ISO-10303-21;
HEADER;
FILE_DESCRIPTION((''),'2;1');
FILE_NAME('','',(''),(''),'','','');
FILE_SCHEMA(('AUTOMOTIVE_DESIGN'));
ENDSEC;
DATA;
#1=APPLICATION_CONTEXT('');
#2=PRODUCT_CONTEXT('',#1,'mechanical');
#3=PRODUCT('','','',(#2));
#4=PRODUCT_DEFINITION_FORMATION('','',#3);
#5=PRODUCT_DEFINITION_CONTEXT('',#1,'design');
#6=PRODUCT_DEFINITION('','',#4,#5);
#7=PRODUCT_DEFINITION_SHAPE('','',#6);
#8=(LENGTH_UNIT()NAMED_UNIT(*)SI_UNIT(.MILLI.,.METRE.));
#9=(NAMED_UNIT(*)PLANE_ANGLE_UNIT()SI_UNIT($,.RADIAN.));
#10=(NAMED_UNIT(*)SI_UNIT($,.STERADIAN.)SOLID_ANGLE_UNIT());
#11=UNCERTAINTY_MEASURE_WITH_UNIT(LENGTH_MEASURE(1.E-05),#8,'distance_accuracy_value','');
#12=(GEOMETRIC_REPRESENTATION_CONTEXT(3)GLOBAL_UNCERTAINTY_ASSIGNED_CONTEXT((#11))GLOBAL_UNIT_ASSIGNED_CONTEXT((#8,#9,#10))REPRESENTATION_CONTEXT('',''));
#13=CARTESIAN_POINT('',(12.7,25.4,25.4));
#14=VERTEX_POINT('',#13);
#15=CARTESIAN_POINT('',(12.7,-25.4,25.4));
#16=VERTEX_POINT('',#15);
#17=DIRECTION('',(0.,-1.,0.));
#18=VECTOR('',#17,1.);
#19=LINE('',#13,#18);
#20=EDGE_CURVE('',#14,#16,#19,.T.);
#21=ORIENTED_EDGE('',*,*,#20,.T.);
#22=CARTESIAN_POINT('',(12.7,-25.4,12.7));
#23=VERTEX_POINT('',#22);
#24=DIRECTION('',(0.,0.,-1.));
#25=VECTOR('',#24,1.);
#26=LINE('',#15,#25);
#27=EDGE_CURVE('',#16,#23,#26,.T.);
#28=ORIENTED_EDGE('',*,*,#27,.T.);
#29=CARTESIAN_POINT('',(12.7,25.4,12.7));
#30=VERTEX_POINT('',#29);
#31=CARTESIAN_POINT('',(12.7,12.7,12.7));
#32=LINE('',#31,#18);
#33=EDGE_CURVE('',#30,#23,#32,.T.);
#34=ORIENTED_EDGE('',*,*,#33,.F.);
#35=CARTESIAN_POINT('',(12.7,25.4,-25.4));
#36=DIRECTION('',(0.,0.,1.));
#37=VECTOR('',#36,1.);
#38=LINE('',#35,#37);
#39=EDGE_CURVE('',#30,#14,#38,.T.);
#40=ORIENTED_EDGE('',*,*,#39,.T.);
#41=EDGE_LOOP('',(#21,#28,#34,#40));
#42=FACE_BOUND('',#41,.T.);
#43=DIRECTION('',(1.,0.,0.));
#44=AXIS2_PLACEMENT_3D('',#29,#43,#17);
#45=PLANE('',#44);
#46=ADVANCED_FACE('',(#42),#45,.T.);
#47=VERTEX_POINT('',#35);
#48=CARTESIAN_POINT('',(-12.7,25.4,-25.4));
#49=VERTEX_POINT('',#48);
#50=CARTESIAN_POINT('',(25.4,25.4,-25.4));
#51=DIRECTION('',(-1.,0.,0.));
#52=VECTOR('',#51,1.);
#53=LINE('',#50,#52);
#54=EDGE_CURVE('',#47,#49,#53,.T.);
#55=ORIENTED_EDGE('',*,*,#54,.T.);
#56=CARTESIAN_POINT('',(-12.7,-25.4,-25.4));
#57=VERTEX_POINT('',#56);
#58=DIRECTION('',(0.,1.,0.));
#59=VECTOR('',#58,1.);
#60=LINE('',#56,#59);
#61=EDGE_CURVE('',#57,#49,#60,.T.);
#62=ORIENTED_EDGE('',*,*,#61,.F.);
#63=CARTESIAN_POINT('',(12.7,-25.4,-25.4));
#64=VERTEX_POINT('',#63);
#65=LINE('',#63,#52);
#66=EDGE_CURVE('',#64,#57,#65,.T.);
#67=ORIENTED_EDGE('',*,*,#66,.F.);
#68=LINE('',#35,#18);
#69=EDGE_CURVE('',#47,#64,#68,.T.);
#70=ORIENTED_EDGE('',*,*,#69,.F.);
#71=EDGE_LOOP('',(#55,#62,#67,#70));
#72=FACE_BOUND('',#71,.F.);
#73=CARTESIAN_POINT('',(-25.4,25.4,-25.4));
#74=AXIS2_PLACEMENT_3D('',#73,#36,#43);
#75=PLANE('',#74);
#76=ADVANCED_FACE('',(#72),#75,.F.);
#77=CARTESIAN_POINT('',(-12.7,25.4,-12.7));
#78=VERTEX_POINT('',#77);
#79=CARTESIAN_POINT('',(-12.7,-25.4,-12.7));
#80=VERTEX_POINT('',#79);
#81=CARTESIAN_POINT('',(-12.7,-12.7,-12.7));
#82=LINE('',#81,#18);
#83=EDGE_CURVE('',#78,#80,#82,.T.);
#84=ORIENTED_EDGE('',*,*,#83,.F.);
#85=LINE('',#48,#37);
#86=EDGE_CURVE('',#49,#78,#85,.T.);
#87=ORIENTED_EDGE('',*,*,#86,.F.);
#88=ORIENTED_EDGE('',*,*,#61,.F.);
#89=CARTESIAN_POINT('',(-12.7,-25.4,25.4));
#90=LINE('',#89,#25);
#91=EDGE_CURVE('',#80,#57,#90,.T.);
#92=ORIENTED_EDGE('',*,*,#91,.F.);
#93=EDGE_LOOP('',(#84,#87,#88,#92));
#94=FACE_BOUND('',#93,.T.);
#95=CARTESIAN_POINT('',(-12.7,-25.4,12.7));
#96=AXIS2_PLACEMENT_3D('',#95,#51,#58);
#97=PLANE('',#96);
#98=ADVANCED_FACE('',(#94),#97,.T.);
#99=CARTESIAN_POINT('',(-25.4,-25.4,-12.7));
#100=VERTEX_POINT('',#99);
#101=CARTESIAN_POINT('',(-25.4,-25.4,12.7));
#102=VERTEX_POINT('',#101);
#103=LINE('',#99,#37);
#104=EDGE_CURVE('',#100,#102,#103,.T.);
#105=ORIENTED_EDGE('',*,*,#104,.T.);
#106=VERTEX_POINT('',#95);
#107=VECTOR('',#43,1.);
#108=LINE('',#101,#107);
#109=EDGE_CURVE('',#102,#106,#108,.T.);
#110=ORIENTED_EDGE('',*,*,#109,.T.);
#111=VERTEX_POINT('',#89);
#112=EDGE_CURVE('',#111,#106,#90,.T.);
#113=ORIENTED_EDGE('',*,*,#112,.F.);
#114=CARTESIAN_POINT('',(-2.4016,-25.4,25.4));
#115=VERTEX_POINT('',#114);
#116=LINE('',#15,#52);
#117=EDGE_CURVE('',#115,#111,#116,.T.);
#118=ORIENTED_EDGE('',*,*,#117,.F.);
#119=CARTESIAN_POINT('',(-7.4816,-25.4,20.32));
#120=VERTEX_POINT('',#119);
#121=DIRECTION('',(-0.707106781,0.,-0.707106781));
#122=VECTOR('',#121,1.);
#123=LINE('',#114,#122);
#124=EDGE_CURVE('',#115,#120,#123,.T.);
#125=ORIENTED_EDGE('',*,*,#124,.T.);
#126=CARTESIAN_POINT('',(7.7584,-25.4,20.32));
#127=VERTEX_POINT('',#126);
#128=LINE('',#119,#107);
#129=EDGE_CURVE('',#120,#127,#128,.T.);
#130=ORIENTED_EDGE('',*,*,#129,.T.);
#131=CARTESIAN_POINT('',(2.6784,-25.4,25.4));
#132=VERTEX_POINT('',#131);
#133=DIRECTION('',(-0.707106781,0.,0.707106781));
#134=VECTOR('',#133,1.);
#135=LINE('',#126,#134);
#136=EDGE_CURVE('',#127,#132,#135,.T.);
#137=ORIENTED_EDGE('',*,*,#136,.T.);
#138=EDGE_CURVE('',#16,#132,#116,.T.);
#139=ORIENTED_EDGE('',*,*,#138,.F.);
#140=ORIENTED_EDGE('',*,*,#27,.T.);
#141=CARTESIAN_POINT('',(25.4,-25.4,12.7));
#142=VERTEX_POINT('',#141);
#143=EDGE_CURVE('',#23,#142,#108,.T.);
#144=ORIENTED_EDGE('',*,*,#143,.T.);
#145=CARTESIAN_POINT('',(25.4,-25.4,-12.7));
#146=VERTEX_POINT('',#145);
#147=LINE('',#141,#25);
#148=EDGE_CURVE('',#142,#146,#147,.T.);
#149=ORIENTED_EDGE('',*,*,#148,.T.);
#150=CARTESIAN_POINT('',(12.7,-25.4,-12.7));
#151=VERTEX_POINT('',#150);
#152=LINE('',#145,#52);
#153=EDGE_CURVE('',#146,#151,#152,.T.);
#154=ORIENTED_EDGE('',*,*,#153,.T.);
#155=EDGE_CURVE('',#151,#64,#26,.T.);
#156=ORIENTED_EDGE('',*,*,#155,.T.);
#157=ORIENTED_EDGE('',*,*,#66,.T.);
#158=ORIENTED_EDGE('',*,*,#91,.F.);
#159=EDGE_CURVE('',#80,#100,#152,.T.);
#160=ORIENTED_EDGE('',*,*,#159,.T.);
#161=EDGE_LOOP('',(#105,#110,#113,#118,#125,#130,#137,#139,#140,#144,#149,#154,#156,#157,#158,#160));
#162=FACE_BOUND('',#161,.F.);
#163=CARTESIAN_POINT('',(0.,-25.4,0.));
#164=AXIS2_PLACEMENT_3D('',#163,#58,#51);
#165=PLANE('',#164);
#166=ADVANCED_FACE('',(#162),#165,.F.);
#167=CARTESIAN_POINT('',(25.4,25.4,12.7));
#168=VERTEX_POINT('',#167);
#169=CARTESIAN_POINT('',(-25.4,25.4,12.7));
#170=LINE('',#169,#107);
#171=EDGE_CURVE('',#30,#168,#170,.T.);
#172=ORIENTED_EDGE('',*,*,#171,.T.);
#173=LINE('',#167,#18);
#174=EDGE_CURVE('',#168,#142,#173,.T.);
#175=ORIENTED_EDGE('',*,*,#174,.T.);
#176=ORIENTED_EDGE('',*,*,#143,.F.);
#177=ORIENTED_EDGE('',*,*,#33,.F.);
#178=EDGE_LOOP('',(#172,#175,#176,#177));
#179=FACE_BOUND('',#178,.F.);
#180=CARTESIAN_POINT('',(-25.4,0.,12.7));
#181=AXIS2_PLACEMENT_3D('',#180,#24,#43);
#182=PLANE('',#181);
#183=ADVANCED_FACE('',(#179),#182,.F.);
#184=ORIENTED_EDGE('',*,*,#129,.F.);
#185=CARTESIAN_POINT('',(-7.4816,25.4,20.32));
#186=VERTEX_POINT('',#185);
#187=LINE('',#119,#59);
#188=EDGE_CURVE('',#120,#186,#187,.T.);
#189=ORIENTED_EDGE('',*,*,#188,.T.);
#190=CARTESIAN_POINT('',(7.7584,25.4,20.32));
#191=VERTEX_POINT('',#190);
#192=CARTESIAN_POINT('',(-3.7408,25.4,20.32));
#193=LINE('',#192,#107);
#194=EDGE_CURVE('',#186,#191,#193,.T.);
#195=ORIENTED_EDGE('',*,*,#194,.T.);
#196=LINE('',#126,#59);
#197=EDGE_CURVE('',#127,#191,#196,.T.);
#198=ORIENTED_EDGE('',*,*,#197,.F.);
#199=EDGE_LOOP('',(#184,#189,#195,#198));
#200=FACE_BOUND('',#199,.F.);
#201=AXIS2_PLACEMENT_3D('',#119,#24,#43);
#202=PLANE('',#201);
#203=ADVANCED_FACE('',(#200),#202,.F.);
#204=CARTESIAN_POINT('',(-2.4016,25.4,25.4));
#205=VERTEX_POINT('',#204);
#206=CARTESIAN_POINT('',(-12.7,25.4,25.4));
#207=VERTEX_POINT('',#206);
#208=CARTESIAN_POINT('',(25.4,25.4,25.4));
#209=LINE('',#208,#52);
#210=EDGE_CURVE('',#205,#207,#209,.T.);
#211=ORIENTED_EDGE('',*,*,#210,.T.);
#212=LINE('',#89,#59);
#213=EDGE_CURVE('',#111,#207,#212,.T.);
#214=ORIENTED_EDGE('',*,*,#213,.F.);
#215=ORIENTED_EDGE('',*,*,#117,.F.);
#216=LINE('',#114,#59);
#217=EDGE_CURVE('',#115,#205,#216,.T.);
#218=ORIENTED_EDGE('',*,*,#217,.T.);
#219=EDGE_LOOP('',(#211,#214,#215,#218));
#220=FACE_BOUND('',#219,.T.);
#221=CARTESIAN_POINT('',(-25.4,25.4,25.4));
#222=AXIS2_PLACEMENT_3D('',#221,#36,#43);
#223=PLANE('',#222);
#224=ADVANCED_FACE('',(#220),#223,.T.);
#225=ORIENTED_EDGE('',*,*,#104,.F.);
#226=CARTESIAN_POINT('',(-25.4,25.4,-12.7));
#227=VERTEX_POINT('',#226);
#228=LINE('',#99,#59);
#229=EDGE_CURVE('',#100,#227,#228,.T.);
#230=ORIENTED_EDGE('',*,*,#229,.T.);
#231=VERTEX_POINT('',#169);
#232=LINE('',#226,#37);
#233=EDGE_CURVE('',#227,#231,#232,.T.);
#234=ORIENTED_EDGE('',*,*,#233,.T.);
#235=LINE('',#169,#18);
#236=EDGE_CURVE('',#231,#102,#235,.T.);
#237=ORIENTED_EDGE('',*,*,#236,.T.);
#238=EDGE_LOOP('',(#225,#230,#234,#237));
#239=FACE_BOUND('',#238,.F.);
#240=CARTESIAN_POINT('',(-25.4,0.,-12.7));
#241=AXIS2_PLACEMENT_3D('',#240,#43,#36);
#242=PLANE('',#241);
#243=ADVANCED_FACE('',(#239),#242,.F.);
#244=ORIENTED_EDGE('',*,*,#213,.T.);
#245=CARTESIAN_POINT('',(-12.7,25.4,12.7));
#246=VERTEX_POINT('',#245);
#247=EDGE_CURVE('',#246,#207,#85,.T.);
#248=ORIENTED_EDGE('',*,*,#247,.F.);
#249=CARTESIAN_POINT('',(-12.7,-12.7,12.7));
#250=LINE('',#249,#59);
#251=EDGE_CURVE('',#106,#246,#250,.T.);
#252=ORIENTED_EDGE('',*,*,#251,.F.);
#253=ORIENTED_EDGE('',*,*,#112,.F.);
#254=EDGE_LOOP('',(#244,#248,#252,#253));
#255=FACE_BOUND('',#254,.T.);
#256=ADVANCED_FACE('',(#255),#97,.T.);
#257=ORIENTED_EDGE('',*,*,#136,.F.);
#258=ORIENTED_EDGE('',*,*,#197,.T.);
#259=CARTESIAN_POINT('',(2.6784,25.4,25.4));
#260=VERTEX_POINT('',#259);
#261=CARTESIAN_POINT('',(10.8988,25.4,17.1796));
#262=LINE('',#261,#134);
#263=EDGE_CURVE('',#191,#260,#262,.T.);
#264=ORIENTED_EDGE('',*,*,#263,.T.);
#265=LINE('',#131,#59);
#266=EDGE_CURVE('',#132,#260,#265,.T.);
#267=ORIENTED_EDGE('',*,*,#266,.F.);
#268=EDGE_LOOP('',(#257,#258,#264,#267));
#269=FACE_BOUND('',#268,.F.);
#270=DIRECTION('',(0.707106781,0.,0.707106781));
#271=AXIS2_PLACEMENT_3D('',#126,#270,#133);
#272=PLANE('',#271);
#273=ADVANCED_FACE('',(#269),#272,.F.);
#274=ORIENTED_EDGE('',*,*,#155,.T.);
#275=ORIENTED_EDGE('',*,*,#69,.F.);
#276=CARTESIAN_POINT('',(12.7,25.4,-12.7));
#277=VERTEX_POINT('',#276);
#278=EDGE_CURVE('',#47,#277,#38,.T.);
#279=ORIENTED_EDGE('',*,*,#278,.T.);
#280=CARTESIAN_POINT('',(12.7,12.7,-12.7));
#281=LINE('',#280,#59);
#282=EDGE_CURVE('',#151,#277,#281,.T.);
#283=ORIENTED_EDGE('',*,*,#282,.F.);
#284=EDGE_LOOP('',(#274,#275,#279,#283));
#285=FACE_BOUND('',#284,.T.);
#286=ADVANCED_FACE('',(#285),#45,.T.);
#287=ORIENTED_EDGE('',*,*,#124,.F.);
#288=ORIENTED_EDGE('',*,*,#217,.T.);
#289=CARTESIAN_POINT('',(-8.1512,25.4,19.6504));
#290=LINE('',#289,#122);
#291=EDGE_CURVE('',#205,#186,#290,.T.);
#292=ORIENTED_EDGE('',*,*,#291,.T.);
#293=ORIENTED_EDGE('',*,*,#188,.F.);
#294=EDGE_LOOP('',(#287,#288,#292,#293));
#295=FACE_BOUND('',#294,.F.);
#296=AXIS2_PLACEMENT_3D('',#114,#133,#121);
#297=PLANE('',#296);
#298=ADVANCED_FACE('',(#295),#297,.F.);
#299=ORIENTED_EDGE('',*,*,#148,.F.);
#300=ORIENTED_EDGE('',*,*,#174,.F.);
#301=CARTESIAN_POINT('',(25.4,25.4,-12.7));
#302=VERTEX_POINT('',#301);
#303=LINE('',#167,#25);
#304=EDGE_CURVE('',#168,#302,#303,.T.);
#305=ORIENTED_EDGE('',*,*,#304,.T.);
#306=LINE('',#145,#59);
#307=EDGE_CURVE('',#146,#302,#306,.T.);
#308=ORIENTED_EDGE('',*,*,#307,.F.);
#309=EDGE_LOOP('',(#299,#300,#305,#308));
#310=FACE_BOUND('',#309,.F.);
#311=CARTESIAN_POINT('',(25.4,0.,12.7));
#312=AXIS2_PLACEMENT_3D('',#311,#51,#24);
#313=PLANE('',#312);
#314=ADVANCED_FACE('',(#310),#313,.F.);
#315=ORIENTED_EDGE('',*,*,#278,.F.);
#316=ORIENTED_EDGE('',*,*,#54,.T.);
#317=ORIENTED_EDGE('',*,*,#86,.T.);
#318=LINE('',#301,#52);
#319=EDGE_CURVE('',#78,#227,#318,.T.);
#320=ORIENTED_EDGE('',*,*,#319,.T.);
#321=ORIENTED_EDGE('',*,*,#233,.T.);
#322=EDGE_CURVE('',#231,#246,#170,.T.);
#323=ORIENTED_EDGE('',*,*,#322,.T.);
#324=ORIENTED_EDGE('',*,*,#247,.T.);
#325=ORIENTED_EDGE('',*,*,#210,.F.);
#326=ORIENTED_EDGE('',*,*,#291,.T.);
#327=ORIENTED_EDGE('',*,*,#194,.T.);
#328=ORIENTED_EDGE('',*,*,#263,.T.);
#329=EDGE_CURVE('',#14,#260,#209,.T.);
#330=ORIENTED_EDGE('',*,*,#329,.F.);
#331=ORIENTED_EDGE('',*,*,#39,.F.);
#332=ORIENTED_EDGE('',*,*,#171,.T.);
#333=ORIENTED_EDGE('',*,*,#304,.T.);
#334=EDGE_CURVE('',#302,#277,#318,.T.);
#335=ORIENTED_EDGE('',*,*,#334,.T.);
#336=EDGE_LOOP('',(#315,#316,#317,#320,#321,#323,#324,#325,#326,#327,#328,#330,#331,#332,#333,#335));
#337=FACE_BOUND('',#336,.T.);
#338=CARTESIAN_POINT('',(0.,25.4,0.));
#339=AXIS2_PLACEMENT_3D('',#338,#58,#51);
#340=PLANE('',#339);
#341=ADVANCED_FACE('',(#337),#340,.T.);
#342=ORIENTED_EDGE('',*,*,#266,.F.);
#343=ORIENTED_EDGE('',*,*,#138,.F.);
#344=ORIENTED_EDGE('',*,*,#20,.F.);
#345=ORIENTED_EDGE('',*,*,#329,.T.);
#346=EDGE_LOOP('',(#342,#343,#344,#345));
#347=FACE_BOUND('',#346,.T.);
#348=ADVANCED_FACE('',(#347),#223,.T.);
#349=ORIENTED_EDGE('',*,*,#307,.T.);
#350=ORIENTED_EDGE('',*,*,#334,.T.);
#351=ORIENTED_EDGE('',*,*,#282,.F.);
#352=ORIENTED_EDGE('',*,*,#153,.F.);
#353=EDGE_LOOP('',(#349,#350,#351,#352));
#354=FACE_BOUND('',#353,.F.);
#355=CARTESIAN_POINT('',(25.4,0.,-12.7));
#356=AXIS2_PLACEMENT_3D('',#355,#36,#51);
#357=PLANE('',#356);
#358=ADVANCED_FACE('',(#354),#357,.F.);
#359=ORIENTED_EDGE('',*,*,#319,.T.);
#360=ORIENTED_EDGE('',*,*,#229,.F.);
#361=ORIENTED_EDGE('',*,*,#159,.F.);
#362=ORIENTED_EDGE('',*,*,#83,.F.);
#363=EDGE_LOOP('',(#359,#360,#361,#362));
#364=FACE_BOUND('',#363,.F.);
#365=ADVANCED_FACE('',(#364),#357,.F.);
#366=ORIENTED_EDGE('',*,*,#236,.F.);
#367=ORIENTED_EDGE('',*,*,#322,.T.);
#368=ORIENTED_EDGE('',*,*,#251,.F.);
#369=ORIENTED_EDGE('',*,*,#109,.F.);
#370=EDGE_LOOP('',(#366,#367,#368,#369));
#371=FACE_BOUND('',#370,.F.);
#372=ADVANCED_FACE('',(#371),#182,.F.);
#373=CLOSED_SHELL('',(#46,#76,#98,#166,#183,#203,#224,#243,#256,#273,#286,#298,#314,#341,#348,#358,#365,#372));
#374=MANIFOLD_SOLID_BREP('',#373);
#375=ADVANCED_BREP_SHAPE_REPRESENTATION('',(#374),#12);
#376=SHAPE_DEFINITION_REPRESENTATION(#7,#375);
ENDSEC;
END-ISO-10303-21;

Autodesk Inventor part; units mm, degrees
ref_plane "YZ Plane" through (0, 0, 0) normal (1, 0, 0) x (0, 1, 0)
ref_plane "XZ Plane" through (0, 0, 0) normal (0, 1, 0) x (-1, 0, 0)
ref_plane "XY Plane" through (0, 0, 0) normal (0, 0, 1) x (1, 0, 0)
sketch "Sketch1" plane through (0, 0, 0) normal (0, 1, 0) x (-1, 0, 0)
  line L0 (-25.4, -12.7) -> (25.4, -12.7)
  line L1 (25.4, -12.7) -> (25.4, 12.7)
  line L2 (25.4, 12.7) -> (-25.4, 12.7)
  line L3 (-25.4, 12.7) -> (-25.4, -12.7)
  line L4 (-25.4, -12.7) -> (25.4, 12.7) construction
  line L5 (25.4, -12.7) -> (-25.4, 12.7) construction
  point P0 (0, 0)
  dimension "d0" = 25.4
  dimension "d1" = 50.8
extrude "Extrusion1" add sketch "Sketch1" along normal mid plane 50.8
sketch "Sketch2" plane through (-25.4, 25.4, 12.7) normal (0, 0, 1) x (1, 0, 0)
  line L0 (50.8, 0) -> (0, 0) projected
  line L1 (38.1, -50.8) -> (12.7, -50.8)
  line L2 (12.7, -50.8) -> (12.7, 0)
  line L3 (12.7, 0) -> (38.1, 0)
  line L4 (38.1, 0) -> (38.1, -50.8)
  line L5 (38.1, -50.8) -> (12.7, 0) construction
  line L6 (12.7, -50.8) -> (38.1, 0) construction
  point P0 (25.4, -25.4)
  dimension "d4" = 50.8
  dimension "d5" = 25.4
extrude "Extrusion2" add sketch "Sketch2" along normal blind 12.7 and the other way blind 38.1
sketch "Sketch3" plane through (0, -25.4, 0) normal (0, -1, 0) x (1, 0, 0)
  line L0 (12.7, 25.4) -> (-12.7, 25.4) projected
  line L1 (0, 25.4) -> (-2.4016, 25.4)
  line L2 (-7.4816, 20.32) -> (7.7584, 20.32)
  line L3 (7.7584, 20.32) -> (2.6784, 25.4)
  line L4 (-2.4016, 25.4) -> (-7.4816, 20.32)
  point P0 (0, 0)
  dimension "d10" = 5.08
  dimension "d11" = 5.08
  dimension "d12" = 15.24
  dimension "d13" = 45
  dimension "d14" = 25.4
  dimension "d15" = 45
extrude "Extrusion3" cut sketch "Sketch3" against normal up to next
properties part number "test3"
